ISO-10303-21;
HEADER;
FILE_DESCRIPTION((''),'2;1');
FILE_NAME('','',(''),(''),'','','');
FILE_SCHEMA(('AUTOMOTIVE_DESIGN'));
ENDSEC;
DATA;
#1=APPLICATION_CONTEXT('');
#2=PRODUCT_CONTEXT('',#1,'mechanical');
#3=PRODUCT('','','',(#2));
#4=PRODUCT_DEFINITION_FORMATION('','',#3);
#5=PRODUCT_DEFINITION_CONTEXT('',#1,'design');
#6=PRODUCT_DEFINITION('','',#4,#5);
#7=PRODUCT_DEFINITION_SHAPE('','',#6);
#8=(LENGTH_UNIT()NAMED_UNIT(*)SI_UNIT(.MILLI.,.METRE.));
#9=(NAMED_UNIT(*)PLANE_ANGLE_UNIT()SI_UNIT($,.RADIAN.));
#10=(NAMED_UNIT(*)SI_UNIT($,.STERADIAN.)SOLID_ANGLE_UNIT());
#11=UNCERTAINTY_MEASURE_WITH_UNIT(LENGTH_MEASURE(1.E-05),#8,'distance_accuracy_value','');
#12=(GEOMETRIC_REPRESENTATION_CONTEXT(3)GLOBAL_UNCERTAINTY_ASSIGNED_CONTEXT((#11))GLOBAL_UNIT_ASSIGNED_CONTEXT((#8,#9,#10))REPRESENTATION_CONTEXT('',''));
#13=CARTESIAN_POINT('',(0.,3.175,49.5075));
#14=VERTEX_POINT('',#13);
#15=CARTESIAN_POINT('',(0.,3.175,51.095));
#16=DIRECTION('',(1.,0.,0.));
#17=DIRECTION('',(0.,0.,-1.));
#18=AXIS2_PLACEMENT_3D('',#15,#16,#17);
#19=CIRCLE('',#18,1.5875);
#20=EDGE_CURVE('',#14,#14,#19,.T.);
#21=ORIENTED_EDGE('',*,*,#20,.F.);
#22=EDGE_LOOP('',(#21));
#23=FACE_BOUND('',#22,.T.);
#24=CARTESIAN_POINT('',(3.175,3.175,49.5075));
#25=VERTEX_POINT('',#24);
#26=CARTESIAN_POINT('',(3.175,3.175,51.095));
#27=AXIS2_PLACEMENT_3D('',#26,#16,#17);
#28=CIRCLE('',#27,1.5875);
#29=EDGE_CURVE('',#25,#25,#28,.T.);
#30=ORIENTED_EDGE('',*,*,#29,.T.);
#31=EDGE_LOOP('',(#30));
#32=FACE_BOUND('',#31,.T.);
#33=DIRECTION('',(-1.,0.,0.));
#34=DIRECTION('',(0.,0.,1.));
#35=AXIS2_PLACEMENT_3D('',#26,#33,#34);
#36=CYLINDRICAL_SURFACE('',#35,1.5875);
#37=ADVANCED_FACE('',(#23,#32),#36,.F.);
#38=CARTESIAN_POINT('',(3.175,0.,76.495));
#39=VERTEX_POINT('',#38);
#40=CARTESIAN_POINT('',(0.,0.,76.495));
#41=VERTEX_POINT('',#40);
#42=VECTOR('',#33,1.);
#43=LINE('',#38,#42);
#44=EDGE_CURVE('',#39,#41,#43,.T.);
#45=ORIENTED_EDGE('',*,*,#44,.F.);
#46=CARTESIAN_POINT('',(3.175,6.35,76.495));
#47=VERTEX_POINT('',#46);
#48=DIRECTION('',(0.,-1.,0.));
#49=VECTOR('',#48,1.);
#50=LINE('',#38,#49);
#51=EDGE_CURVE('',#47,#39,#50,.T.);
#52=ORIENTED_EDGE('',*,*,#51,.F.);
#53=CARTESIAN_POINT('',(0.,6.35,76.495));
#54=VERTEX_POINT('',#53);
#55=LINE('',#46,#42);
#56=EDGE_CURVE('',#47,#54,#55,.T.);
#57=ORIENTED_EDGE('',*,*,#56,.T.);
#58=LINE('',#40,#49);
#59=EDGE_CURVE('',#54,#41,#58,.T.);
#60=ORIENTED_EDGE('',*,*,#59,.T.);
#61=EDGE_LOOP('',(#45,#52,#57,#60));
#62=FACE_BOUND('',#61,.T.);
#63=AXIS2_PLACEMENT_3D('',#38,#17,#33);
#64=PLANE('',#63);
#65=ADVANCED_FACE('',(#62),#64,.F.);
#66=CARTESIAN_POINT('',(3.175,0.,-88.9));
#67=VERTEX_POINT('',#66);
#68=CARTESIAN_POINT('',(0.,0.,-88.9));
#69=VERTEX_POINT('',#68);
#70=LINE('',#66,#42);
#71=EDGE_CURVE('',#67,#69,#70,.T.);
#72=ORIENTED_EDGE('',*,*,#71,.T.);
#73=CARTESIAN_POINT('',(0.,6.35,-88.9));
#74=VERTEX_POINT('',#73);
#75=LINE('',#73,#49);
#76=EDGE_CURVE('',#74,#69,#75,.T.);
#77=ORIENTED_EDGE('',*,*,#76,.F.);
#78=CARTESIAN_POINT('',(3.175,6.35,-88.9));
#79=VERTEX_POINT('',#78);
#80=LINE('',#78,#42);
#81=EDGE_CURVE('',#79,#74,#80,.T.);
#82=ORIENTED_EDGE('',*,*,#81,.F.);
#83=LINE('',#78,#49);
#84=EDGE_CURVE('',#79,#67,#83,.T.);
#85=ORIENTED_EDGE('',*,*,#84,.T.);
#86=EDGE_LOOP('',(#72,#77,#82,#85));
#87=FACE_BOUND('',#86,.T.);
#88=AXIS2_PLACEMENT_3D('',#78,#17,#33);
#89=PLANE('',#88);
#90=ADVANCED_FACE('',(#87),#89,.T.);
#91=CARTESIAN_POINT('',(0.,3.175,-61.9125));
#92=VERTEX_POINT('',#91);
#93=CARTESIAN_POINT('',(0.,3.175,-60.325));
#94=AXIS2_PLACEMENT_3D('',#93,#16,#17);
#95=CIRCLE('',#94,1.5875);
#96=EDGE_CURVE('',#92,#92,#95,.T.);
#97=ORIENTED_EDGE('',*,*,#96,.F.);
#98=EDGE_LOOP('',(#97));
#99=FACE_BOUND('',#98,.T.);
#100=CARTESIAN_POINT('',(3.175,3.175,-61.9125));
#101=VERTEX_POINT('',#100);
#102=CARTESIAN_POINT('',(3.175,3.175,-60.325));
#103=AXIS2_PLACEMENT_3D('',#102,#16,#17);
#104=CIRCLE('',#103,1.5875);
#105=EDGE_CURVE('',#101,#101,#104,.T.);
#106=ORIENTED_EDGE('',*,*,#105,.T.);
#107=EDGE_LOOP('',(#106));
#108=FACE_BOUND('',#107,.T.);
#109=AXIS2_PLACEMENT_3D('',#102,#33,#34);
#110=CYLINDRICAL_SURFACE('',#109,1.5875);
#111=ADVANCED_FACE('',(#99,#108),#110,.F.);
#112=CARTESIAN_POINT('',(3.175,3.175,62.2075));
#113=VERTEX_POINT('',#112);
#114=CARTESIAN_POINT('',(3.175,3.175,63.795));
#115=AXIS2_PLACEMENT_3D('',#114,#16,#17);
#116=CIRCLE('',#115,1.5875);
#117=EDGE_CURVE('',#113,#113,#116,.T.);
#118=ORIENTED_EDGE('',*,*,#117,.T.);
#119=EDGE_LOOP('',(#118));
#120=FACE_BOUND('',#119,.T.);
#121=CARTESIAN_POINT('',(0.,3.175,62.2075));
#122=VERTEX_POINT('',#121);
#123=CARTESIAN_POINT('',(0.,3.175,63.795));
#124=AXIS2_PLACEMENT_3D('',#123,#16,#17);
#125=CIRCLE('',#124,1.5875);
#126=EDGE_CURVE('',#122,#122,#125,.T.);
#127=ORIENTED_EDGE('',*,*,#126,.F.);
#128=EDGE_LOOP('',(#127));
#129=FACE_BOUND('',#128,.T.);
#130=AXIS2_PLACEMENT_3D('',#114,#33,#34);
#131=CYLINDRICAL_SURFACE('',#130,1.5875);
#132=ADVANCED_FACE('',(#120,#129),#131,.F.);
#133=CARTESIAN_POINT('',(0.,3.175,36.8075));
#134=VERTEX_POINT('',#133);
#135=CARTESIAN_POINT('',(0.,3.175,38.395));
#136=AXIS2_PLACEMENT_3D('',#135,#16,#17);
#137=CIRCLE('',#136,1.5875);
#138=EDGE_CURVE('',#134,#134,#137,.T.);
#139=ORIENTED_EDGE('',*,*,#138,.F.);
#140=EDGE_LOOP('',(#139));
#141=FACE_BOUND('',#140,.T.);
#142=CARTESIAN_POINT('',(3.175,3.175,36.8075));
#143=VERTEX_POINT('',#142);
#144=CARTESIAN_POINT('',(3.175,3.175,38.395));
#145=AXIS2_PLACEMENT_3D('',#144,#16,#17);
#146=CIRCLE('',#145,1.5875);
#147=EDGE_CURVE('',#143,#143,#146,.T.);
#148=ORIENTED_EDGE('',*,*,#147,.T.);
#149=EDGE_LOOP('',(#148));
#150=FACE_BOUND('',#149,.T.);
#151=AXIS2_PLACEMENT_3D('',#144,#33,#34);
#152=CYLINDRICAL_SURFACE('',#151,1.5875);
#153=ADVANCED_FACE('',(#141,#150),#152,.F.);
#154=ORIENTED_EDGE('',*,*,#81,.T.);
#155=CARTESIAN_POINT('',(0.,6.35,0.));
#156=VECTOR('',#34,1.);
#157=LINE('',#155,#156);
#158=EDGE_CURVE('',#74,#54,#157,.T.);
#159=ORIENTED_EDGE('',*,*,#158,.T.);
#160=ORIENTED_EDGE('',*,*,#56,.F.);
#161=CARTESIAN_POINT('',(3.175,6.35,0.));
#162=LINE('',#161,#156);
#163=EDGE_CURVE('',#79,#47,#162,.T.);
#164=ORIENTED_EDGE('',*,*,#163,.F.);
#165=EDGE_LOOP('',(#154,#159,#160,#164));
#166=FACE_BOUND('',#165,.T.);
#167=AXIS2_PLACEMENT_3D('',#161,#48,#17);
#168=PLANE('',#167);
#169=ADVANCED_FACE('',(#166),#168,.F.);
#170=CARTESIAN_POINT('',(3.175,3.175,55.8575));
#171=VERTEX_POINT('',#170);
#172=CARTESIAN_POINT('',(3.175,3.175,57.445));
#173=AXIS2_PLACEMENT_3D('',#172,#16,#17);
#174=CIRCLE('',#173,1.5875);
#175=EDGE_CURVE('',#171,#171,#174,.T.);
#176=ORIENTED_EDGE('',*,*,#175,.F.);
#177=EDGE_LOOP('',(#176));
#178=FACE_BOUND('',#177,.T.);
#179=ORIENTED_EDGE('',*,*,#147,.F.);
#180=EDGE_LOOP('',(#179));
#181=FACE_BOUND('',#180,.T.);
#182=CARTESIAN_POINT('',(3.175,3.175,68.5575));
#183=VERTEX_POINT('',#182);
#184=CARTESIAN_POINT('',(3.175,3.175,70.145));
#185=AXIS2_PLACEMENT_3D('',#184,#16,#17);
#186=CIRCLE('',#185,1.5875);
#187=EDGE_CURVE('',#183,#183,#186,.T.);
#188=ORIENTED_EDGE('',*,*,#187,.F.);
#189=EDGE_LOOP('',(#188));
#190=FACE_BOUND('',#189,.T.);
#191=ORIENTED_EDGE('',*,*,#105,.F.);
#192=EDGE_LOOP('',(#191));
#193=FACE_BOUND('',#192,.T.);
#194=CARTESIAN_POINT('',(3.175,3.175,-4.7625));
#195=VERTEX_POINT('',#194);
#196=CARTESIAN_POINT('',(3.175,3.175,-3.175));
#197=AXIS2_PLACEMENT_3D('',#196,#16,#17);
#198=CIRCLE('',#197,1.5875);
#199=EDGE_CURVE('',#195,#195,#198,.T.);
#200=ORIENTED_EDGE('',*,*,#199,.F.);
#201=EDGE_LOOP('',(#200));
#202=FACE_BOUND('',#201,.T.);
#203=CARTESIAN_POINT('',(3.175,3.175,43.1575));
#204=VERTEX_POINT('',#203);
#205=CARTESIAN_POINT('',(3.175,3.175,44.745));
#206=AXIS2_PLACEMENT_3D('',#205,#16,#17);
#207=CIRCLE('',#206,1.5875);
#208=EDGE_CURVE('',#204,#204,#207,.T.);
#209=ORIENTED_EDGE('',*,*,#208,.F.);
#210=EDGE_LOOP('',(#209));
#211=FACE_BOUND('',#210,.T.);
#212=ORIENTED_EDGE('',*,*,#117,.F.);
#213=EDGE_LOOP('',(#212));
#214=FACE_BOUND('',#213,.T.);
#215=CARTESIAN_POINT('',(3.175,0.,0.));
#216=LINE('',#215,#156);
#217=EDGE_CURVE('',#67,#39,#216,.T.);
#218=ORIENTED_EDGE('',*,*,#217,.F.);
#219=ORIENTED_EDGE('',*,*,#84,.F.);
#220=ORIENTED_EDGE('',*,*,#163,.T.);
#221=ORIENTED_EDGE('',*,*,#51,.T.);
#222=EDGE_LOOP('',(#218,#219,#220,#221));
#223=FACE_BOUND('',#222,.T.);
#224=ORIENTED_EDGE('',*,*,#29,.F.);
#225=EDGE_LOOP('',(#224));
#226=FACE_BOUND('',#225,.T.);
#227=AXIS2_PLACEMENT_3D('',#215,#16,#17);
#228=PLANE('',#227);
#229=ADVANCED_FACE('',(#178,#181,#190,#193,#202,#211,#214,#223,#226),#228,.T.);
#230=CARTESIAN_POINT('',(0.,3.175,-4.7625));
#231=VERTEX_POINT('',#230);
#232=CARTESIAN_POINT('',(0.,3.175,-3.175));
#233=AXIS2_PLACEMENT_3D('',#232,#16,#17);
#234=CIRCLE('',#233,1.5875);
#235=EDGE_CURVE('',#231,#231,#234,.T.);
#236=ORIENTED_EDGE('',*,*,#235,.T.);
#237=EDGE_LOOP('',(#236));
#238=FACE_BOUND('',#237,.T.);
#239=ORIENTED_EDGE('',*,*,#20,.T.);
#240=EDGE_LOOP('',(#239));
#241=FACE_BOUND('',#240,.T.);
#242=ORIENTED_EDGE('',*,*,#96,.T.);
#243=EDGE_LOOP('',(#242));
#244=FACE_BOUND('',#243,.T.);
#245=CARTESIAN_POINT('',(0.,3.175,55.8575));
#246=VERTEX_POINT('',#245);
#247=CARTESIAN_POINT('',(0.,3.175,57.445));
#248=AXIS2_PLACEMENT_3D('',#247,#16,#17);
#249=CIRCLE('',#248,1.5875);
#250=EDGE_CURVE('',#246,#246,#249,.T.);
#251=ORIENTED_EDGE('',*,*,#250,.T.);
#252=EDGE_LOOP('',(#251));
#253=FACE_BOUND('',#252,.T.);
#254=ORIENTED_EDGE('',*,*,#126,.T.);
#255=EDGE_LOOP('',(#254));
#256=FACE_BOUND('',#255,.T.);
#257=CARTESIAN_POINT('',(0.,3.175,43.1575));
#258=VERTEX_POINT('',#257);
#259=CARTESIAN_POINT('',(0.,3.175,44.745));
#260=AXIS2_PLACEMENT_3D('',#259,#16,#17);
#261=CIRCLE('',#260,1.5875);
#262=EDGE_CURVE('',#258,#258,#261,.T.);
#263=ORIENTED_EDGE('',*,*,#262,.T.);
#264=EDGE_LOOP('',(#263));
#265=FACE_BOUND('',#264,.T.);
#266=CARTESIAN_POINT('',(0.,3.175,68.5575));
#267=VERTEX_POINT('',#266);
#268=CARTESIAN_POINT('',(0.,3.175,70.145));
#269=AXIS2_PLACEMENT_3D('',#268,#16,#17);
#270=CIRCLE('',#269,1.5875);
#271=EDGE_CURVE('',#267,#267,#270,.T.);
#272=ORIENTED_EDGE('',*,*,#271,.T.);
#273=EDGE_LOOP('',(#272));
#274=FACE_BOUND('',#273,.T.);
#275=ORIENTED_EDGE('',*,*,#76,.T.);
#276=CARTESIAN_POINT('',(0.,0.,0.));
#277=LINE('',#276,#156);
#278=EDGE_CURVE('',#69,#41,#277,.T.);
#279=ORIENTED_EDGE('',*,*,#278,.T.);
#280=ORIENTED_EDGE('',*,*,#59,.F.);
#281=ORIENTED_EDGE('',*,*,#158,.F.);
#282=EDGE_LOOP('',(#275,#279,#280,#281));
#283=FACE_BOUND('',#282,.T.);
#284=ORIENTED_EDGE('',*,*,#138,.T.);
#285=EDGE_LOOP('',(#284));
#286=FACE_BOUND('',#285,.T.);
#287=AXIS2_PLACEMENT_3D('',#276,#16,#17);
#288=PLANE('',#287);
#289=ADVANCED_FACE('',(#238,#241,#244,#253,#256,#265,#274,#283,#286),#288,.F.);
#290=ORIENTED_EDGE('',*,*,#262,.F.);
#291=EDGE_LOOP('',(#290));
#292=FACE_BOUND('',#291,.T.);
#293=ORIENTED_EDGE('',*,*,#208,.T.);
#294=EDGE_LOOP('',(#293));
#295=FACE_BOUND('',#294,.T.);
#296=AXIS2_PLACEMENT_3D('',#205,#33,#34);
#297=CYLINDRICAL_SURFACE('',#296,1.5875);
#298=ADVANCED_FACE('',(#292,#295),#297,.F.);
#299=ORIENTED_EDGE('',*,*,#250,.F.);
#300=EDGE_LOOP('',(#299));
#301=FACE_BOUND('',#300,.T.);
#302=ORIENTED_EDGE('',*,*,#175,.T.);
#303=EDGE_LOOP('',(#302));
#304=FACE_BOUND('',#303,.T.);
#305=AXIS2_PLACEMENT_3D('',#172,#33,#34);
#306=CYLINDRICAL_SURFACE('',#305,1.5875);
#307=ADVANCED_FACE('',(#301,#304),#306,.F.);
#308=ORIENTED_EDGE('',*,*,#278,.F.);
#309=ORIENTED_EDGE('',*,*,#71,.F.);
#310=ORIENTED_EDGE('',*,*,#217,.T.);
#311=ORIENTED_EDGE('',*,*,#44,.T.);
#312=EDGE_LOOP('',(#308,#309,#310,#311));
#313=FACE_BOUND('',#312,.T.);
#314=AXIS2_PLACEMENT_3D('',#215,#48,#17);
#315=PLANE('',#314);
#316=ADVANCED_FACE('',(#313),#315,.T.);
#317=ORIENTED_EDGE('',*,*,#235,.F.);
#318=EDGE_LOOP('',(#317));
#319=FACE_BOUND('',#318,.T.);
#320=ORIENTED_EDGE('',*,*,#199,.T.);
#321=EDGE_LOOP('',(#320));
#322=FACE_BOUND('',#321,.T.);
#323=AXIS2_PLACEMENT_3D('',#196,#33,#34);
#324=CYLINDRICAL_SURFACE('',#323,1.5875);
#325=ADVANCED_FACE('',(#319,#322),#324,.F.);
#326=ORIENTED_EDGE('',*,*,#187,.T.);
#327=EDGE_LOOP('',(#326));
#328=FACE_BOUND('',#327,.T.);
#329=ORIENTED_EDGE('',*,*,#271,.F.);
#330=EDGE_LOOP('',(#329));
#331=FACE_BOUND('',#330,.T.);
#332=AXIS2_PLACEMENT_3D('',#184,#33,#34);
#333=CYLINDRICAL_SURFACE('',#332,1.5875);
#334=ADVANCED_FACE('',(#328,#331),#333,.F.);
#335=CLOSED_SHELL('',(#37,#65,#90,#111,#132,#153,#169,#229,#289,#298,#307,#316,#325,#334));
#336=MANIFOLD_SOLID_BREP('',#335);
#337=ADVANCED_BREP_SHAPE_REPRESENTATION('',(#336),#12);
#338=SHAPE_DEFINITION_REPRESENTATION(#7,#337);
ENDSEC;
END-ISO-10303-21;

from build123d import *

# Parameters (mm, degrees)
SKETCH1_W           = 76.495
SKETCH1_H           = 6.35
SKETCH1_R           = 1.5875
SKETCH1_W_2         = 63.5
SKETCH1_W_3         = 25.4
BOSS_EXTRUDE1_DEPTH = 3.175


with BuildPart() as part:
    # Sketch1 → Boss-Extrude1 (new body)
    with BuildSketch(Plane(origin=(0, 0, 0), x_dir=(0, 0, -1), z_dir=(1, 0, 0))):
        with Locations((-38.2475, 3.175)):
            Rectangle(SKETCH1_W, SKETCH1_H)
        with Locations((-70.145, 3.175)):
            Circle(SKETCH1_R, mode=Mode.SUBTRACT)
        with Locations((-63.795, 3.175)):
            Circle(SKETCH1_R, mode=Mode.SUBTRACT)
        with Locations((-57.445, 3.175)):
            Circle(SKETCH1_R, mode=Mode.SUBTRACT)
        with Locations((-51.095, 3.175)):
            Circle(SKETCH1_R, mode=Mode.SUBTRACT)
        with Locations((-44.745, 3.175)):
            Circle(SKETCH1_R, mode=Mode.SUBTRACT)
        with Locations((-38.395, 3.175)):
            Circle(SKETCH1_R, mode=Mode.SUBTRACT)
        with Locations((31.75, 3.175)):
            Rectangle(SKETCH1_W_2, SKETCH1_H)
        with Locations((3.175, 3.175)):
            Circle(SKETCH1_R, mode=Mode.SUBTRACT)
        with Locations((60.325, 3.175)):
            Circle(SKETCH1_R, mode=Mode.SUBTRACT)
        with Locations((76.2, 3.175)):
            Rectangle(SKETCH1_W_3, SKETCH1_H)
    extrude(amount=BOSS_EXTRUDE1_DEPTH)


solid = part.part
